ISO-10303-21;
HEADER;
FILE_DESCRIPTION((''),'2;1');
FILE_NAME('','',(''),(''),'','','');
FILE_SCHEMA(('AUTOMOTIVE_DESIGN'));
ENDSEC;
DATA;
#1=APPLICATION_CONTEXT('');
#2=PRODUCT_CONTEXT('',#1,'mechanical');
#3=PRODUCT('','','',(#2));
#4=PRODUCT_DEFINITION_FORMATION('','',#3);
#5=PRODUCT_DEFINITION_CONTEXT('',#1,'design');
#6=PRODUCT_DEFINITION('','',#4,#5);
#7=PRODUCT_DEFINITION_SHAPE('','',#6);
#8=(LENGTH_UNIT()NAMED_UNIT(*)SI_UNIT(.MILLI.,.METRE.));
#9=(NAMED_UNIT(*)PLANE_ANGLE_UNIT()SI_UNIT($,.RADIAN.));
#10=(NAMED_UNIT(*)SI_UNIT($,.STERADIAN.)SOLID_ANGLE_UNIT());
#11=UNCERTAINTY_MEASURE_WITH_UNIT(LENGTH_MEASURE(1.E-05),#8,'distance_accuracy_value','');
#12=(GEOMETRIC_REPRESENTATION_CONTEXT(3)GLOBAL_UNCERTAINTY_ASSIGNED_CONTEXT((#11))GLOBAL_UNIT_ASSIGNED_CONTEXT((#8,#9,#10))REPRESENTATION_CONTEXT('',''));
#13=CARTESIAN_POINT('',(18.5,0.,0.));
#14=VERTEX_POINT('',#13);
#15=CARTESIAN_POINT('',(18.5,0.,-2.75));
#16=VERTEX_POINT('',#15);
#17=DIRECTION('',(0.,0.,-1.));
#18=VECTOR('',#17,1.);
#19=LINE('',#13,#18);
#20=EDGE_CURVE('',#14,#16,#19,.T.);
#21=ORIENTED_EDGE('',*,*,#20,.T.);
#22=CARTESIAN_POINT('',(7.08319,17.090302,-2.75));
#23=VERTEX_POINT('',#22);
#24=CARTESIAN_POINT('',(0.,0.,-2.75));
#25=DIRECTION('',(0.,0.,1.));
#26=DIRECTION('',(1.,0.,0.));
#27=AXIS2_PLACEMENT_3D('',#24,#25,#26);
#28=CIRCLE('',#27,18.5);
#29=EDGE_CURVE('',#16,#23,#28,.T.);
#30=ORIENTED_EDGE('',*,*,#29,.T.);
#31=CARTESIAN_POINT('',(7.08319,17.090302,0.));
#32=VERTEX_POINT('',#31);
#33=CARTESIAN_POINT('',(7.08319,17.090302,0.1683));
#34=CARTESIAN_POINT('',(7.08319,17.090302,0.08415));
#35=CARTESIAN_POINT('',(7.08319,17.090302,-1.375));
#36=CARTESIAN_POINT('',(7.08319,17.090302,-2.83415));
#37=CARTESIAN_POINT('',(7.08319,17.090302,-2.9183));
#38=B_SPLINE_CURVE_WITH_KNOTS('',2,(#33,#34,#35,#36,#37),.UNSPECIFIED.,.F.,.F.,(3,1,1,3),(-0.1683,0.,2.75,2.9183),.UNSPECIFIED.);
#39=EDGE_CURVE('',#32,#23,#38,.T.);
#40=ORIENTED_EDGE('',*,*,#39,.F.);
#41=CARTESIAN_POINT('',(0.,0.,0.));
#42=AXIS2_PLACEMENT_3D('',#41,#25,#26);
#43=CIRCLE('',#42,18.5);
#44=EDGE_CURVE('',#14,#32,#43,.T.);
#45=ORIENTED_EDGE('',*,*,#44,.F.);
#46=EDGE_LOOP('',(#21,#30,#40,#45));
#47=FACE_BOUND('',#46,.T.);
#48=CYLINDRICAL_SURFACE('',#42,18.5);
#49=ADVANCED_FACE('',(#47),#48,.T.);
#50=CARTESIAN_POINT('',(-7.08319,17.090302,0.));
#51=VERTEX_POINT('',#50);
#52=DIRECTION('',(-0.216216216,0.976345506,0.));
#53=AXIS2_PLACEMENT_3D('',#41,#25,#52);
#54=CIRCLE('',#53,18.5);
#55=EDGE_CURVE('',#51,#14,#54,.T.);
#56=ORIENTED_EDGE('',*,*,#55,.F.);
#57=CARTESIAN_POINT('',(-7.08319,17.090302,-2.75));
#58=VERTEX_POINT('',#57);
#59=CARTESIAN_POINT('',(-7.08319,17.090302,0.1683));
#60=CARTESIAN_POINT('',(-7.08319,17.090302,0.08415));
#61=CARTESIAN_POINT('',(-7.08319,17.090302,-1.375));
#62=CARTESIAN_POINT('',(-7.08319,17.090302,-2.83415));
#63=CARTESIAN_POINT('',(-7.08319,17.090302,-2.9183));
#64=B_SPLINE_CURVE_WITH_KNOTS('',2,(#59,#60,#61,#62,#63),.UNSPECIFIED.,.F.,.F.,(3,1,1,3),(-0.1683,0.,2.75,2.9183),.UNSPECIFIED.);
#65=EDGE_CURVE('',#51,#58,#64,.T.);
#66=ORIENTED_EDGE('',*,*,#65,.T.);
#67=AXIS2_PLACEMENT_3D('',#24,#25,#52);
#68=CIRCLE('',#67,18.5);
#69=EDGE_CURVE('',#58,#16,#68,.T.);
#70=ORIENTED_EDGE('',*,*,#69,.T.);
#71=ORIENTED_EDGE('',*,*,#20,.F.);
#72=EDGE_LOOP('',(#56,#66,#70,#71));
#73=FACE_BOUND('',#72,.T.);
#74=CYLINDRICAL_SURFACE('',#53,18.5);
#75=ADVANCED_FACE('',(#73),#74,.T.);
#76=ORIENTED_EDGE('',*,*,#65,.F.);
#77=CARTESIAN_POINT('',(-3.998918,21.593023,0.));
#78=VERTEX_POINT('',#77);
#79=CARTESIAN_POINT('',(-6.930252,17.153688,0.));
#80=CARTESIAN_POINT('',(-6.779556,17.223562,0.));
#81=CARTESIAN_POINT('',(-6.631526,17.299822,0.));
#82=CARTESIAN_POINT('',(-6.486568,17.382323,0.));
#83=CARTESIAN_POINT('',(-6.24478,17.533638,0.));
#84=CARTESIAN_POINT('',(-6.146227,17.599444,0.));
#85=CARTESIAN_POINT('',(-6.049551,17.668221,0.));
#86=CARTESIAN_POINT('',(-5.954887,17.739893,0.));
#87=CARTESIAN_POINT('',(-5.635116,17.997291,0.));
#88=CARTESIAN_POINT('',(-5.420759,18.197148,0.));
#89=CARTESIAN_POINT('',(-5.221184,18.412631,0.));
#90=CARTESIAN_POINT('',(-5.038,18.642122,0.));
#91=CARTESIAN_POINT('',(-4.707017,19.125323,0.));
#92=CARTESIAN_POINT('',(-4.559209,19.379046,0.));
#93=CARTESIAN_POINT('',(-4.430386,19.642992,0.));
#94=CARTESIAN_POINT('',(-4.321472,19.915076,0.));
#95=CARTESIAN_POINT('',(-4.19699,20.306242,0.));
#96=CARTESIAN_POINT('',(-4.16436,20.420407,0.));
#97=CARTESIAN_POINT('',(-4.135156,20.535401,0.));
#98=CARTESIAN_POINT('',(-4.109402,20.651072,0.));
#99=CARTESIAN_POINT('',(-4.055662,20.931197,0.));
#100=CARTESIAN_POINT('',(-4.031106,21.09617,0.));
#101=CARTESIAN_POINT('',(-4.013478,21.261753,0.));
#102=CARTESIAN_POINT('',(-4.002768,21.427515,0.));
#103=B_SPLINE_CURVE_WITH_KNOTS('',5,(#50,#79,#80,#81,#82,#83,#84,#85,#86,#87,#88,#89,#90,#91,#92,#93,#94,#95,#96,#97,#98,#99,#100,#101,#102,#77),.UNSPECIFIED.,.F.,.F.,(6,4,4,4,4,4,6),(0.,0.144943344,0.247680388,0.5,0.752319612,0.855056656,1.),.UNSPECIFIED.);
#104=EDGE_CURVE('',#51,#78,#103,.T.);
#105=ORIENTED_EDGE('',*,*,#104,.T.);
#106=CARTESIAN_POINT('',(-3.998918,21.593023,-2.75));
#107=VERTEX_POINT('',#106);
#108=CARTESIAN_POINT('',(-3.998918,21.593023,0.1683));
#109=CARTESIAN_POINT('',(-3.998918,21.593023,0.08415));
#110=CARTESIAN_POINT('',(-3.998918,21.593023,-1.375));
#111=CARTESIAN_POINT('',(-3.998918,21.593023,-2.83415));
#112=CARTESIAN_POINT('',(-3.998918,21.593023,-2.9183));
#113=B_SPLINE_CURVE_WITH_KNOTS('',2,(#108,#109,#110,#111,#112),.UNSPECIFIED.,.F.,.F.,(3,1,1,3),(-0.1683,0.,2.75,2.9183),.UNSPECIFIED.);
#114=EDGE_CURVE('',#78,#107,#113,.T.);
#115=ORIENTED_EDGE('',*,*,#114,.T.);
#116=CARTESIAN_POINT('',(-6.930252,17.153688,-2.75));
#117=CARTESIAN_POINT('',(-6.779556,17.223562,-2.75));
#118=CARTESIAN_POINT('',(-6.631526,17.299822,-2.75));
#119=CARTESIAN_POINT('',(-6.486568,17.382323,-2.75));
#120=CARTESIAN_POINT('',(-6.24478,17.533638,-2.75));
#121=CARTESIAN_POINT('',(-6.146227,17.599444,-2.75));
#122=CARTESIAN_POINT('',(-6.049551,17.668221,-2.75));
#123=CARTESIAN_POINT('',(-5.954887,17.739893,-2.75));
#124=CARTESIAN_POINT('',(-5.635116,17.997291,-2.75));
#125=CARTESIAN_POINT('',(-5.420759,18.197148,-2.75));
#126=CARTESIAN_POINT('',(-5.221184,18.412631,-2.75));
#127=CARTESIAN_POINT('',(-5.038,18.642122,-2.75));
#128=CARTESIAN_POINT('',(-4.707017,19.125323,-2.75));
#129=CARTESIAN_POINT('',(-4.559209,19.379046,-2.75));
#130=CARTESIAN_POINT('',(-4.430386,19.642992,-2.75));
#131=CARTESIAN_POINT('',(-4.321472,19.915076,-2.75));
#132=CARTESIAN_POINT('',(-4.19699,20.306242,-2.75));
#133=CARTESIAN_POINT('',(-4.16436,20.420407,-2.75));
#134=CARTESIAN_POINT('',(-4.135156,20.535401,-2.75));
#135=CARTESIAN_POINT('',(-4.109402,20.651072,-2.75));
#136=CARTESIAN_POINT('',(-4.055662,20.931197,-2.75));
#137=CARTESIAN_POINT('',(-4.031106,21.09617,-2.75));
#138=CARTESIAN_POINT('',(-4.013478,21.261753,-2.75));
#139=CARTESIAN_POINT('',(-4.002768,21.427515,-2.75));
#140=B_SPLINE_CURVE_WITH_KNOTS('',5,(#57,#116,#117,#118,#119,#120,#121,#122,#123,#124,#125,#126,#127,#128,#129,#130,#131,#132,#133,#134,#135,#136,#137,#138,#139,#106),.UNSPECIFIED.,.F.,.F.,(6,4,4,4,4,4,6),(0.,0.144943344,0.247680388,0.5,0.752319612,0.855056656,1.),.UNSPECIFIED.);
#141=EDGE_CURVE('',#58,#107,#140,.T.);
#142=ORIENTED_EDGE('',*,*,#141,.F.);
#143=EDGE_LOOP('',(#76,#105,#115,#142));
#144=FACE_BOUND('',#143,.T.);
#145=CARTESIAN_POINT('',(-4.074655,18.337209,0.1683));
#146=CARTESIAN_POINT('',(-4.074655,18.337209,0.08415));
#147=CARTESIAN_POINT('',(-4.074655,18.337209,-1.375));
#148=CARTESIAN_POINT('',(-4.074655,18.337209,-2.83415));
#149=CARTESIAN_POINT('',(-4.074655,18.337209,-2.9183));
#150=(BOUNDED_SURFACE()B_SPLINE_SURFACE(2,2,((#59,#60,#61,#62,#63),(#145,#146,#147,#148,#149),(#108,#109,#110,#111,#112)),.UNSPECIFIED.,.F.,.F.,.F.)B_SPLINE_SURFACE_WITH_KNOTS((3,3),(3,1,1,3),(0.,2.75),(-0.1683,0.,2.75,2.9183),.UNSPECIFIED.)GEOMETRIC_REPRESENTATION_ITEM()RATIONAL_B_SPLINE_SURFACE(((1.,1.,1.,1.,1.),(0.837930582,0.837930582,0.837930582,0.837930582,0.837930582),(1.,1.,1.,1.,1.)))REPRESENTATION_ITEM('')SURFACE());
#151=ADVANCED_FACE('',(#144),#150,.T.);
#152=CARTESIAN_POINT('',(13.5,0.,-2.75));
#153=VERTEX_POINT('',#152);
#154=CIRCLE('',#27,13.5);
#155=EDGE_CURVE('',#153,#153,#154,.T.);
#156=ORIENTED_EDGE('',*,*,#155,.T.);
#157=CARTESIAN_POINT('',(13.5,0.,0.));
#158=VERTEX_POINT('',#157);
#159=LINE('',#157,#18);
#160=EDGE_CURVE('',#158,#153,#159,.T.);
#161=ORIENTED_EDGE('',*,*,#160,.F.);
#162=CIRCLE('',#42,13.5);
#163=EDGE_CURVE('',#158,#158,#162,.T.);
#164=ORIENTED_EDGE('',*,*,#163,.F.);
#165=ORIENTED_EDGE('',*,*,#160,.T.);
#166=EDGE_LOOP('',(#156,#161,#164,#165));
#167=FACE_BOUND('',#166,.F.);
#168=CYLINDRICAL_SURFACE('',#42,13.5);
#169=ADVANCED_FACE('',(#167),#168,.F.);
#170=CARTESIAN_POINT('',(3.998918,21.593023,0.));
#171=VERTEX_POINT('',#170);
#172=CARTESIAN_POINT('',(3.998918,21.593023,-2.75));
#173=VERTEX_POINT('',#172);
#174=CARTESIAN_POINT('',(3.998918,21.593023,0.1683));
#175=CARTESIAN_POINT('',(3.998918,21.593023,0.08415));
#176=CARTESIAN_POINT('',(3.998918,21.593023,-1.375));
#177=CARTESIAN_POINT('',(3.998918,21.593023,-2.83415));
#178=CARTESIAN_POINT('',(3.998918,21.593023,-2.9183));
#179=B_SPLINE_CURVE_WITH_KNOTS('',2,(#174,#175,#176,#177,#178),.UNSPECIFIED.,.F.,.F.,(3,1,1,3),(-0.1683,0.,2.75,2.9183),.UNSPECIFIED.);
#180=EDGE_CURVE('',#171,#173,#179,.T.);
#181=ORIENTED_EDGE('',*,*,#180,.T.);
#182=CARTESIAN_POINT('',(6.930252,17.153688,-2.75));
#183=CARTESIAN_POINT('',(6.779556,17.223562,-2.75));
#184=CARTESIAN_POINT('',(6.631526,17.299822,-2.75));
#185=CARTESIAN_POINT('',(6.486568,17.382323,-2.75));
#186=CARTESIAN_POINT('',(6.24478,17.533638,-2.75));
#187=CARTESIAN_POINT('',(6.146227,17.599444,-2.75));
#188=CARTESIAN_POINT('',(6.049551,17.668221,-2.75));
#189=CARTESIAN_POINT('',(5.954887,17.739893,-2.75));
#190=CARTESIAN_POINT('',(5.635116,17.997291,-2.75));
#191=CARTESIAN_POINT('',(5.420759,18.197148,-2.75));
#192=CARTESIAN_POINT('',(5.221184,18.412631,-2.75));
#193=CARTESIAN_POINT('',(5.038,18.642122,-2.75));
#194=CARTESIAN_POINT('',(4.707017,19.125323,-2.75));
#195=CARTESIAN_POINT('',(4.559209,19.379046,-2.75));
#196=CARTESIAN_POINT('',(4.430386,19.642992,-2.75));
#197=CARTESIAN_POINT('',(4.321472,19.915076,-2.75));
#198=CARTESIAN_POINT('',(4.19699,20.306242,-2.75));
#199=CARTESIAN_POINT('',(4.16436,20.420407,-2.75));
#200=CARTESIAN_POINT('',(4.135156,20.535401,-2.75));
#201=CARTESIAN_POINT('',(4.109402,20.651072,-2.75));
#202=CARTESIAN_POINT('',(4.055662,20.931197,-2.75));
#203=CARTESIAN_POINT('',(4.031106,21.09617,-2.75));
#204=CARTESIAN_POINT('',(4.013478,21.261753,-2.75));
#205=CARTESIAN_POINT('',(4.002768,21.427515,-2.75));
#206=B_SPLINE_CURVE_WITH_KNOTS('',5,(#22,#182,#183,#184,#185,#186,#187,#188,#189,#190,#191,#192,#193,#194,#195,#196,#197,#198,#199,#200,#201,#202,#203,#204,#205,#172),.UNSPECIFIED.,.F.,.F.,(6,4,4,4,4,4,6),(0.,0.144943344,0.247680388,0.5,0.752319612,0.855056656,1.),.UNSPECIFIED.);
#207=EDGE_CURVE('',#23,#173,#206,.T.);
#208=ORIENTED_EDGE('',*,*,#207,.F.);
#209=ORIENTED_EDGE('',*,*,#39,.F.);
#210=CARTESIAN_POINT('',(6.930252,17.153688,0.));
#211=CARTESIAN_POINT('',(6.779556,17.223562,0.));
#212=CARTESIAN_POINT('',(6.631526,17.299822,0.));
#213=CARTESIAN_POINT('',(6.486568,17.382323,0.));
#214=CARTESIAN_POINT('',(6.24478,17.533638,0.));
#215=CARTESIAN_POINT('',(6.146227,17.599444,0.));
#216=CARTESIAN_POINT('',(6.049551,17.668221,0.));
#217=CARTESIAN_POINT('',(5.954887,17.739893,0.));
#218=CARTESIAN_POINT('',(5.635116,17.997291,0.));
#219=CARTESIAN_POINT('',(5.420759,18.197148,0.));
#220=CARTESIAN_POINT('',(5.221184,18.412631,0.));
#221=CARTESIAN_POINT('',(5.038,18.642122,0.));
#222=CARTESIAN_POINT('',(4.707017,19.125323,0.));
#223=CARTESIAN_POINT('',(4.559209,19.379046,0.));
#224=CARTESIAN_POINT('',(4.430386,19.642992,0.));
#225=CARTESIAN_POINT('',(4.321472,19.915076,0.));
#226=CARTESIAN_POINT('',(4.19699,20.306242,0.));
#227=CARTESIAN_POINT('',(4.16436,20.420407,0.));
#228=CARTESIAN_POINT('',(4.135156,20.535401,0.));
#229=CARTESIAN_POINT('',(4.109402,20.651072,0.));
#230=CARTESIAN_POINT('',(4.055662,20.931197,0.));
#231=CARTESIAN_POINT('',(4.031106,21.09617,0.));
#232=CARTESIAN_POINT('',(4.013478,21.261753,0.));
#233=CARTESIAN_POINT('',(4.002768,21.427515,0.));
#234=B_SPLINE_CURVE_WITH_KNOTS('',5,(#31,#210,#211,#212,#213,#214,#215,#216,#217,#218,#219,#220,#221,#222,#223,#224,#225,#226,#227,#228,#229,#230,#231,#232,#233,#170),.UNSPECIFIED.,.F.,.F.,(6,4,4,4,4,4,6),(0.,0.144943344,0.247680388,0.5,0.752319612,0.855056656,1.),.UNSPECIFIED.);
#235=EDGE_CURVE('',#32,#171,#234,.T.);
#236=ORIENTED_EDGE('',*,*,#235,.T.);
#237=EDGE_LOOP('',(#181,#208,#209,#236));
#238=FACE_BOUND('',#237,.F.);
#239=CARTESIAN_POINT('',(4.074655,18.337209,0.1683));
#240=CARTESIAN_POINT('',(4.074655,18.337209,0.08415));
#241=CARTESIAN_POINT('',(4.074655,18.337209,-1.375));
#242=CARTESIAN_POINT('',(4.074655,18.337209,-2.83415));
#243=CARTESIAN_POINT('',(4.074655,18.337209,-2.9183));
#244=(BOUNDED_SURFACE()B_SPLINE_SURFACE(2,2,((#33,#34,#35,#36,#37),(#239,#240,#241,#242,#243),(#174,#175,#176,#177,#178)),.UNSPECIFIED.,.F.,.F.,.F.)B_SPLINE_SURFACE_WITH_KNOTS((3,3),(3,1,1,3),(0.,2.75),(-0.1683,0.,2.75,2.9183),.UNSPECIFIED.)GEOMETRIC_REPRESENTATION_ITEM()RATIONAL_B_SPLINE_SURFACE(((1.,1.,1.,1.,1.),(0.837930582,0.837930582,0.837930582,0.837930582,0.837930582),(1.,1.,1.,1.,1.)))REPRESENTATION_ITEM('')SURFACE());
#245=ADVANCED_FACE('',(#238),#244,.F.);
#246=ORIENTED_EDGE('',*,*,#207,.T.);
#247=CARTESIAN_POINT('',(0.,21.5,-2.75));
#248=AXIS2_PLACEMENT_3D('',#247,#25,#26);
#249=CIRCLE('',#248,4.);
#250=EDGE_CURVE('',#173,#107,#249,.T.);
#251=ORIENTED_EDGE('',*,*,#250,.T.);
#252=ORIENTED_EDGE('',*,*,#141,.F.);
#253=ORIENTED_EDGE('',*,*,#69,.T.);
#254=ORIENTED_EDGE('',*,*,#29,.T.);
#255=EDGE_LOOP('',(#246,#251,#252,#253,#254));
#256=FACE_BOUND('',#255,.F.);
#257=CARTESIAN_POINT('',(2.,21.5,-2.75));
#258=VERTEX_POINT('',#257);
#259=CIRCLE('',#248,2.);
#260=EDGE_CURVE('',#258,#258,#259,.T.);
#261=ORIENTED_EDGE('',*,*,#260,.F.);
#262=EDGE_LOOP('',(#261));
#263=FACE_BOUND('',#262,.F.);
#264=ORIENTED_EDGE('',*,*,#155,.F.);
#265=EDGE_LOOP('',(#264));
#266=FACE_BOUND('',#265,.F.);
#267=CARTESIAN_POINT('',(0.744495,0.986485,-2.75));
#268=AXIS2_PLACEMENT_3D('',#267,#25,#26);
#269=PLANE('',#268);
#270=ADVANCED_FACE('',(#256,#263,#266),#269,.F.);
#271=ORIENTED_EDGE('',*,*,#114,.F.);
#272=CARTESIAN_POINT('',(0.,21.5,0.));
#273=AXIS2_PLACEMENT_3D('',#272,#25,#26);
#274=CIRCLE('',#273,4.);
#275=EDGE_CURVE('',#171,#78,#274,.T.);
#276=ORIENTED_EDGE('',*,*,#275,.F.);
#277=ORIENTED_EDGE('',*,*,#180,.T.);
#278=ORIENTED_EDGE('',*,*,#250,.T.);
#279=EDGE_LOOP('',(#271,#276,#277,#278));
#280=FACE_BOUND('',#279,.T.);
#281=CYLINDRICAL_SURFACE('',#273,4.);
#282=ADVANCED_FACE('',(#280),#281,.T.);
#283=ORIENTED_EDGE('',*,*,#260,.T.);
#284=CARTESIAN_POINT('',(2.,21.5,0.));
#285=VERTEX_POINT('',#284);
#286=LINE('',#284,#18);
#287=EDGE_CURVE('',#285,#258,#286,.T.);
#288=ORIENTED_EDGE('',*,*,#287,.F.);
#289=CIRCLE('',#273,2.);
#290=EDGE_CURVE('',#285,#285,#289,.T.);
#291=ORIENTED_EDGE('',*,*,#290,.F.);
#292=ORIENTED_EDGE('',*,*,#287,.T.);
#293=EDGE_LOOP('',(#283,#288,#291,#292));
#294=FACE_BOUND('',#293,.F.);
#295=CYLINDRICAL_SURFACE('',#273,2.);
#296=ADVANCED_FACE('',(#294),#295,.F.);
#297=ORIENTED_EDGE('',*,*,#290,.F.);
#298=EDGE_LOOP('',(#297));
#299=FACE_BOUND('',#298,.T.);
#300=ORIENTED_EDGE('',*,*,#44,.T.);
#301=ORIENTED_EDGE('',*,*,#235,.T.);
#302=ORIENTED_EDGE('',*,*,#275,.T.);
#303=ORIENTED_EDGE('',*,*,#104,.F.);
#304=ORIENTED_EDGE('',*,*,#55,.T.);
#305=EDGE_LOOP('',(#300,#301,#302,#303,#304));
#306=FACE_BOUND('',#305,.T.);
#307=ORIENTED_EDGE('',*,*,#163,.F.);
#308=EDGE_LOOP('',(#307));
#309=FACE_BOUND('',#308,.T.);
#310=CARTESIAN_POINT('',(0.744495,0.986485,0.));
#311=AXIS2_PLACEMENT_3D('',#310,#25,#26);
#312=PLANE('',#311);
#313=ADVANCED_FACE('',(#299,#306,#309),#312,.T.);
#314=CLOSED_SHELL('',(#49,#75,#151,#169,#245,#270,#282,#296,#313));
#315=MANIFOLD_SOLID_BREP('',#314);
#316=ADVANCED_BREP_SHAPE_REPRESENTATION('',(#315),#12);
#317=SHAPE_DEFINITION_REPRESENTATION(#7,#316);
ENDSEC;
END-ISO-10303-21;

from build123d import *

# Parameters (mm, degrees)
F0_R     = 13.5
F0_R_2   = 2
F1_DEPTH = 2.75
F2_R     = 5


with BuildPart() as f1:
    # F0 (on Top) → F1 (new body)
    with BuildSketch(Plane.XY):
        with BuildLine():
            ThreePointArc((-4, 18.0623918682), (-11.5812348219, -14.4265380463), (18.5, 0))
            ThreePointArc((18.5, 0), (14.4265380463, 11.5812348219), (4, 18.0623918682))
            ThreePointArc((4, 18.0623918682), (3.2273401507, 18.2163189353), (2.4488272709, 18.3372093023))
            ThreePointArc((2.4488272709, 18.3372093023), (0, 17.5), (-2.4488272709, 18.3372093023))
            ThreePointArc((-2.4488272709, 18.3372093023), (-3.2273401507, 18.2163189353), (-4, 18.0623918682))
        make_face()
        Circle(F0_R, mode=Mode.SUBTRACT)
        with BuildLine():
            ThreePointArc((-2.4488272709, 18.3372093023), (0, 17.5), (2.4488272709, 18.3372093023))
            ThreePointArc((2.4488272709, 18.3372093023), (0, 18.5), (-2.4488272709, 18.3372093023))
        make_face()
        with BuildLine():
            ThreePointArc((-2.4488272709, 18.3372093023), (0, 18.5), (2.4488272709, 18.3372093023))
            ThreePointArc((2.4488272709, 18.3372093023), (3.5913304696, 19.7386523744), (4, 21.5))
            ThreePointArc((4, 21.5), (0, 25.5), (-4, 21.5))
            ThreePointArc((-4, 21.5), (-3.5913304696, 19.7386523744), (-2.4488272709, 18.3372093023))
        make_face()
        with Locations((0, 21.5)):
            Circle(F0_R_2, mode=Mode.SUBTRACT)
        with BuildLine():
            ThreePointArc((2.4488272709, 18.3372093023), (3.2273401507, 18.2163189353), (4, 18.0623918682))
            Line((4, 18.0623918682), (4, 21.5))
            ThreePointArc((4, 21.5), (3.5913304696, 19.7386523744), (2.4488272709, 18.3372093023))
        make_face()
        with BuildLine():
            Line((-4, 21.5), (-4, 18.0623918682))
            ThreePointArc((-4, 18.0623918682), (-3.2273401507, 18.2163189353), (-2.4488272709, 18.3372093023))
            ThreePointArc((-2.4488272709, 18.3372093023), (-3.5913304696, 19.7386523744), (-4, 21.5))
        make_face()
    extrude(amount=-F1_DEPTH)

    # F2
    f2_edges = [f1.edges().sort_by_distance(p)[0] for p in [
        (4, 18.062392, -1.375),
        (-4, 18.062392, -1.375),
    ]]
    fillet(f2_edges, radius=F2_R)


solid = f1.part
